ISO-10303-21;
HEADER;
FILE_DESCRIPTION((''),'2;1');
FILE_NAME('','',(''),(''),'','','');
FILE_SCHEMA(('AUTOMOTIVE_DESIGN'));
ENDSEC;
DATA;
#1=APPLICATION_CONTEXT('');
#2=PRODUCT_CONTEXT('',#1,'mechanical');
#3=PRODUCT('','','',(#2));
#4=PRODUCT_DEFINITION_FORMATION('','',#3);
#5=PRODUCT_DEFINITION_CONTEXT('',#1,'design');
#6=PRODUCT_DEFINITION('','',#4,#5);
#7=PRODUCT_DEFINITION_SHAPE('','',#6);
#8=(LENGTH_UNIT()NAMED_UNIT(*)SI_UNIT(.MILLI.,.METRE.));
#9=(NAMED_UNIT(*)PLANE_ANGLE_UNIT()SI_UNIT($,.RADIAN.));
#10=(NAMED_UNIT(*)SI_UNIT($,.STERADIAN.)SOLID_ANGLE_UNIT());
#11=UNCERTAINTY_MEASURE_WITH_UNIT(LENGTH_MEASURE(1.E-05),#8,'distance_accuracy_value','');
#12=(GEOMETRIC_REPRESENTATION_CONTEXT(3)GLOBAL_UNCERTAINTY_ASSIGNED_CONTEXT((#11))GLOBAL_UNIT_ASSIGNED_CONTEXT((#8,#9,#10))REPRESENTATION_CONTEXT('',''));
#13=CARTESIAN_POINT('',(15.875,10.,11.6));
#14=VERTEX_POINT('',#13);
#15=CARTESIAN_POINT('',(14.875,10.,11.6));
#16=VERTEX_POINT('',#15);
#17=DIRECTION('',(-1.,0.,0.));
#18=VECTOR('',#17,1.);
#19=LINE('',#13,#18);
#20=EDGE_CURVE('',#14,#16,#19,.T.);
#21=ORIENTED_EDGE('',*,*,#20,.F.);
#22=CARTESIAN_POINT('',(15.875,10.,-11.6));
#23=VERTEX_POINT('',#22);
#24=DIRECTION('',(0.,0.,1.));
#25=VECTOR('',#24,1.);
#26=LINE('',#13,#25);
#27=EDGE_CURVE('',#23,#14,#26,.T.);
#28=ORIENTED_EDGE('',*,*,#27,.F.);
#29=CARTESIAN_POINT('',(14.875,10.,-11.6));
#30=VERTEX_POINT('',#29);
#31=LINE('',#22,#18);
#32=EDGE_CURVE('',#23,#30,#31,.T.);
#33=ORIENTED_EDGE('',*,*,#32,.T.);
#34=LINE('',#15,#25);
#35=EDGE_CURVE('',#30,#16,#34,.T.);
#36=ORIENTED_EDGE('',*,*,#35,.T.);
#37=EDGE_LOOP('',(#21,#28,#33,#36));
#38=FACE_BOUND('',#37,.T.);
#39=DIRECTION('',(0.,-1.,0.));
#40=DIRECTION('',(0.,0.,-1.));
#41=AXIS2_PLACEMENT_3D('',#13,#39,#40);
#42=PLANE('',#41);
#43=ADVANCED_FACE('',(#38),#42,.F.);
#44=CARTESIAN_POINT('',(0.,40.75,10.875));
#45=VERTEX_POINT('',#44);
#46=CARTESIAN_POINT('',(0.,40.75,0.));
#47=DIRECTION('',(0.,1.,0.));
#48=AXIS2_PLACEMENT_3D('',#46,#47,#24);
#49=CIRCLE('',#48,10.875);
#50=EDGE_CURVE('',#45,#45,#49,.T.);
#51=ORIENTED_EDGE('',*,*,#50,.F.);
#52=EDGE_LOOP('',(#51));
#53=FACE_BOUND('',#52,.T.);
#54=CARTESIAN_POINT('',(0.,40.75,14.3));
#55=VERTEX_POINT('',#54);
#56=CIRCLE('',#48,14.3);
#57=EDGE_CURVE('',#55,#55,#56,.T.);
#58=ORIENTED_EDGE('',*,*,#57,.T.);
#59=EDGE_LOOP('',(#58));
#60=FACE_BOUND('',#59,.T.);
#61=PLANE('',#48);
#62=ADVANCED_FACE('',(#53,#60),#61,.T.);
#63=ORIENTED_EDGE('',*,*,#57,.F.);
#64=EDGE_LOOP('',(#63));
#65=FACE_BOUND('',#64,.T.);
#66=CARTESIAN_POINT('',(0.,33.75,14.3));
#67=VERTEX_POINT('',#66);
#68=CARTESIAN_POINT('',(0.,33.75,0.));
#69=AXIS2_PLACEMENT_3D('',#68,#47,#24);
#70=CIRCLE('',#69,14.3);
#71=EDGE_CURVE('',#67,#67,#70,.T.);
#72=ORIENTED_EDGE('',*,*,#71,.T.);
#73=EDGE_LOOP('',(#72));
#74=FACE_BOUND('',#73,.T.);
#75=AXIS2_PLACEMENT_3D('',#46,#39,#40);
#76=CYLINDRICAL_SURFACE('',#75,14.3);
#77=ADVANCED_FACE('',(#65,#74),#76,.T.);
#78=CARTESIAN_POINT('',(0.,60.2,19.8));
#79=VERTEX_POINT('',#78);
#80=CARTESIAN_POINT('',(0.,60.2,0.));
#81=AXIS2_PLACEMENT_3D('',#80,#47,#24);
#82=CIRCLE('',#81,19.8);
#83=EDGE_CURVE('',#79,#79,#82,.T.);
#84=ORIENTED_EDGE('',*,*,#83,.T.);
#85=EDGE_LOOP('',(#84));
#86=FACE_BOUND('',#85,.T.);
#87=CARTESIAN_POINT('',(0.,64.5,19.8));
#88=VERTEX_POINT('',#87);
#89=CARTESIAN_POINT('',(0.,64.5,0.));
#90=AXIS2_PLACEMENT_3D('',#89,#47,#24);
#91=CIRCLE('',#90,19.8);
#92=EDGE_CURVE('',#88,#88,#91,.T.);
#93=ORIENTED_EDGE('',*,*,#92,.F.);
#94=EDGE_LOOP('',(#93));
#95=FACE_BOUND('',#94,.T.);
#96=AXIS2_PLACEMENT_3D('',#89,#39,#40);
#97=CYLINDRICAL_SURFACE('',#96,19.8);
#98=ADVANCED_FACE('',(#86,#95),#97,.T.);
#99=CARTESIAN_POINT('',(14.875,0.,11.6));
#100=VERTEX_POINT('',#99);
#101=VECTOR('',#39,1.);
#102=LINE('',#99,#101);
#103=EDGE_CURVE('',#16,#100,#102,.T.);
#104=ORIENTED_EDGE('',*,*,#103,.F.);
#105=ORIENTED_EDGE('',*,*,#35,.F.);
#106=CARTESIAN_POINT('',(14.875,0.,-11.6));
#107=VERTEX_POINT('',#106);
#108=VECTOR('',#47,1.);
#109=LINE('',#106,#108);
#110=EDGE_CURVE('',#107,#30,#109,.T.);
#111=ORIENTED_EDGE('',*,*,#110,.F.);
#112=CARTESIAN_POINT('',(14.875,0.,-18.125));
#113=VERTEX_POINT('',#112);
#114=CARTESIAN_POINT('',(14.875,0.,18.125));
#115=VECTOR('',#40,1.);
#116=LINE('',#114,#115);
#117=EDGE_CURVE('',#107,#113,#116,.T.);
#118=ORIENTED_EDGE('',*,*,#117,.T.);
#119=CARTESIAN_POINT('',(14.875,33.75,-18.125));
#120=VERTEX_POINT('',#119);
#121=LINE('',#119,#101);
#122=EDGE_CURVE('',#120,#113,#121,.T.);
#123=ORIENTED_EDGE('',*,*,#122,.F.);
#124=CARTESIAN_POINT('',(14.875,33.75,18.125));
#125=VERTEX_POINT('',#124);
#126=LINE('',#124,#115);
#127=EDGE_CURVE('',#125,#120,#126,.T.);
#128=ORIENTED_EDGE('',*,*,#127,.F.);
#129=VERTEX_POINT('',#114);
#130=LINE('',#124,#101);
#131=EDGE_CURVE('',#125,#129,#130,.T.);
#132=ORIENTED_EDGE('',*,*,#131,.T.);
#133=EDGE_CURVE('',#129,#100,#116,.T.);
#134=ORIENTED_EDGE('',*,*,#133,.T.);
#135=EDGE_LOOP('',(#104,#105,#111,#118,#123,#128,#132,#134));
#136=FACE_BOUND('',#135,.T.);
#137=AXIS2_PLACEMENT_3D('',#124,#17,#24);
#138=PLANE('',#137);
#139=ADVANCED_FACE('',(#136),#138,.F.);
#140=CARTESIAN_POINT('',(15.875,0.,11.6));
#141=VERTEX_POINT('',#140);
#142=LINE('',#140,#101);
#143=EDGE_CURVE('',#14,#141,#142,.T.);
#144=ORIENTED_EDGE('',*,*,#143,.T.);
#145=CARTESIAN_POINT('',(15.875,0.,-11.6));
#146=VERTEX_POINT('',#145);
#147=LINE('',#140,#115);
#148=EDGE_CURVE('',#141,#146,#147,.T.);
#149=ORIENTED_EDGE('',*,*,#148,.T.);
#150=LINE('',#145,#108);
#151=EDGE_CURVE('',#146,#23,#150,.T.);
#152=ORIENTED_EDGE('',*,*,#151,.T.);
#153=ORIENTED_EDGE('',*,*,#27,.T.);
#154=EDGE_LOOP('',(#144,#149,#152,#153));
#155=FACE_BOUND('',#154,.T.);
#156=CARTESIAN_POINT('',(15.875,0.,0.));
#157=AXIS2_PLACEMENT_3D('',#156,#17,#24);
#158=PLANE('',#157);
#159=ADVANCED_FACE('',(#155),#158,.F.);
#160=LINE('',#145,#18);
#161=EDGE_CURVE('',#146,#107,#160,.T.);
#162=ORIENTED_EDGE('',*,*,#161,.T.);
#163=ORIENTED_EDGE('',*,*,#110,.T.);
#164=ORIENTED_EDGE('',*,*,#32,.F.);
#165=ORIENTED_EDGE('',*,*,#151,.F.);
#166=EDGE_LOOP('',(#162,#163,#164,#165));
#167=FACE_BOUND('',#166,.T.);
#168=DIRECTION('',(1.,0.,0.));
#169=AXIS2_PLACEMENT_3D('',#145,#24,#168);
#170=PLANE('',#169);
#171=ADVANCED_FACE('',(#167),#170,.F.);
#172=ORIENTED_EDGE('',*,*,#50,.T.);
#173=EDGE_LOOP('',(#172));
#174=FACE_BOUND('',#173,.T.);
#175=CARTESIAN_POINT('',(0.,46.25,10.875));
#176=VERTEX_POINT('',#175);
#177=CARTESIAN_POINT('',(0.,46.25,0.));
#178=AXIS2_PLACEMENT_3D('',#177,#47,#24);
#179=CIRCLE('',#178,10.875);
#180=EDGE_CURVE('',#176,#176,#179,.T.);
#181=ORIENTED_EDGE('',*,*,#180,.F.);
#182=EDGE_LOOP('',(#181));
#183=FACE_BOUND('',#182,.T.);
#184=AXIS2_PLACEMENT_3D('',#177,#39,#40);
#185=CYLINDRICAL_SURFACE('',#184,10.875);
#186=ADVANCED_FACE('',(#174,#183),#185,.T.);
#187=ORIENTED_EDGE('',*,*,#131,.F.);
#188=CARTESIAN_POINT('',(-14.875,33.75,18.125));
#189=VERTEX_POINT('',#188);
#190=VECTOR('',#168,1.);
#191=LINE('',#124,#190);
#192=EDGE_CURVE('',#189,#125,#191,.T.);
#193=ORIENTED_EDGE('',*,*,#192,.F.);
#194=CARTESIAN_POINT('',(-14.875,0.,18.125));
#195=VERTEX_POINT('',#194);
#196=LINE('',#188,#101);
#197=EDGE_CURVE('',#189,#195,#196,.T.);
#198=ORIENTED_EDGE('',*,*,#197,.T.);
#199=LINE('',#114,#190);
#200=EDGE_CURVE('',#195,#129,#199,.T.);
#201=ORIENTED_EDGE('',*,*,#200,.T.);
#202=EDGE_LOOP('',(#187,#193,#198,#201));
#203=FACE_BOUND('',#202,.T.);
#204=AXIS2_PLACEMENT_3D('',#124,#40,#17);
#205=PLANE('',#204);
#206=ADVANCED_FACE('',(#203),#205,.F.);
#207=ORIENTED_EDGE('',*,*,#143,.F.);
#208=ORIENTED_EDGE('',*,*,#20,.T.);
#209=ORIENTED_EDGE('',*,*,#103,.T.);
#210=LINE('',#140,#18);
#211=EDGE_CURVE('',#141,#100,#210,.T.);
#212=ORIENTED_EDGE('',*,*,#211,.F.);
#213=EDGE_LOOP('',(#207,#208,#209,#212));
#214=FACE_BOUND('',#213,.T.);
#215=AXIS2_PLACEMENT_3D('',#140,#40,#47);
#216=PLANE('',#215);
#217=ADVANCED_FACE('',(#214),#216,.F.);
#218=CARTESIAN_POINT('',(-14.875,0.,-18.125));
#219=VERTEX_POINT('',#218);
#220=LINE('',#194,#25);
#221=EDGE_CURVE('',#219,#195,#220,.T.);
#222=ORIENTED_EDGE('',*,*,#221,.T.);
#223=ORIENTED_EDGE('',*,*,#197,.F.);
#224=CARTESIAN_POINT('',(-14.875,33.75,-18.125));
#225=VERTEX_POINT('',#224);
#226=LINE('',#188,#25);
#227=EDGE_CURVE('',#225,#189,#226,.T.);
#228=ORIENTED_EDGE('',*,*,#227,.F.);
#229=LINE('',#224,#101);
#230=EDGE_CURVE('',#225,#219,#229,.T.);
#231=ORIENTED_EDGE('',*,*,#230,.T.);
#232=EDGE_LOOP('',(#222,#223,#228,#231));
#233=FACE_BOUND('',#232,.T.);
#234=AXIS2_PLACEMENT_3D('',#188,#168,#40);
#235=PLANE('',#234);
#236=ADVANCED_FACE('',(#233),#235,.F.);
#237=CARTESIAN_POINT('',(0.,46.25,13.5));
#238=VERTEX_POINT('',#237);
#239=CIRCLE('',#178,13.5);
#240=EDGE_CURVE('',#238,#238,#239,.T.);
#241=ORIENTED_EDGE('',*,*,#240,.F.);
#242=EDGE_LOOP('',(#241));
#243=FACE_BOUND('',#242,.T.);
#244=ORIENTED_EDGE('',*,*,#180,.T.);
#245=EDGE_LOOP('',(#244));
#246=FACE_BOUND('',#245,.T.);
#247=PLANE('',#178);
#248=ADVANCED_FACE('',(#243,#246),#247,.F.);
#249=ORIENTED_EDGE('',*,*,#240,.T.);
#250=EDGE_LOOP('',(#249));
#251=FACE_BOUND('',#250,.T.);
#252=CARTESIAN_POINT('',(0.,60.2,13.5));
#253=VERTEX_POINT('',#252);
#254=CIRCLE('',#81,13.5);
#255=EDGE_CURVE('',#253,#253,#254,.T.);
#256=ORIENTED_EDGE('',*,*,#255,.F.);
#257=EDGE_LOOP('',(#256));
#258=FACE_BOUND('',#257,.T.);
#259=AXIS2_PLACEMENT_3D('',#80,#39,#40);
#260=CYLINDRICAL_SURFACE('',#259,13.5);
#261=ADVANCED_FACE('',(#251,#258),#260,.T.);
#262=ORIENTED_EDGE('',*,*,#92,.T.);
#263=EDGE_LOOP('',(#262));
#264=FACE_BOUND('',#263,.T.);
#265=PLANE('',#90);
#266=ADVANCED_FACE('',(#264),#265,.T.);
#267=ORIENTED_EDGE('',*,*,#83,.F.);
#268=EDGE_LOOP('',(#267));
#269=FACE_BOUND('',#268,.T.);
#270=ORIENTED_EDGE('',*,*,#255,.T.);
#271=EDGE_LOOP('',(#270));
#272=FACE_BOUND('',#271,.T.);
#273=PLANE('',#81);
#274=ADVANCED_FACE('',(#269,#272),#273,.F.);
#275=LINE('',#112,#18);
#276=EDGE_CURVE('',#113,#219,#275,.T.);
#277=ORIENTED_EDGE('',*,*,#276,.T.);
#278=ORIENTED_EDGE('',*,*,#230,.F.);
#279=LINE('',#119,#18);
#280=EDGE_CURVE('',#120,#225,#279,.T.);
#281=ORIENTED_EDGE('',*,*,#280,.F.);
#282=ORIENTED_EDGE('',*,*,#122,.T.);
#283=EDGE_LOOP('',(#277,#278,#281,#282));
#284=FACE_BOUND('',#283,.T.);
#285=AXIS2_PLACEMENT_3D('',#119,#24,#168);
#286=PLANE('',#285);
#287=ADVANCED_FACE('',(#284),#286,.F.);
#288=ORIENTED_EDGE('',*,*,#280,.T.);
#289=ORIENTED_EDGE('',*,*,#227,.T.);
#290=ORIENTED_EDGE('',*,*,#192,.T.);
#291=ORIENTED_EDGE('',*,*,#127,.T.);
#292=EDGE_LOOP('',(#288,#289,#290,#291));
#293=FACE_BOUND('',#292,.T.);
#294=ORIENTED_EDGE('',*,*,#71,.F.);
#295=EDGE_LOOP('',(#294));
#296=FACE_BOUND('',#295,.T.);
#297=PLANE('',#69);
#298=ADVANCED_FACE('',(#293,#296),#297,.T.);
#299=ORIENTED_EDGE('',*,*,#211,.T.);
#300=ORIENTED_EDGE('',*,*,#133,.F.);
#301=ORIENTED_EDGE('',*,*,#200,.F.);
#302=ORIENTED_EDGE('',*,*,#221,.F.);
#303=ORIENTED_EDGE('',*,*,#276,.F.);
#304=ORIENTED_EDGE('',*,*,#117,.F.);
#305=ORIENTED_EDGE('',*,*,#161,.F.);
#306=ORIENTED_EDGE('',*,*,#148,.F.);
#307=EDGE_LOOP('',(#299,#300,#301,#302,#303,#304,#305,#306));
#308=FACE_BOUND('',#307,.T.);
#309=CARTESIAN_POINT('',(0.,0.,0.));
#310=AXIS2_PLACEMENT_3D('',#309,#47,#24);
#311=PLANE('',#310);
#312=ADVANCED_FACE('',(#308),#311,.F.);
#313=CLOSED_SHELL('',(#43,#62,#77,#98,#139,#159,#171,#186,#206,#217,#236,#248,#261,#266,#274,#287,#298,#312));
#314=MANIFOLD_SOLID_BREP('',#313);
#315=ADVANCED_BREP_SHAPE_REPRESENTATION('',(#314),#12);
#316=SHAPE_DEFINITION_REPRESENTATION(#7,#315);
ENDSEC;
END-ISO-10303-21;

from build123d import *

# Parameters (mm, degrees)
SKETCH2_W           = 29.75
SKETCH2_H           = 36.25
BOSS_EXTRUDE1_DEPTH = 33.75
SKETCH3_R           = 14.3
BOSS_EXTRUDE2_DEPTH = 7
SKETCH4_R           = 10.875
BOSS_EXTRUDE3_DEPTH = 5.5
SKETCH5_R           = 13.5
BOSS_EXTRUDE4_DEPTH = 13.95
SKETCH6_R           = 19.8
BOSS_EXTRUDE5_DEPTH = 4.3
SKETCH7_W           = 23.2
SKETCH7_H           = 10
BOSS_EXTRUDE6_DEPTH = 1


with BuildPart() as part:
    # Sketch2 → Boss-Extrude1 (new body)
    with BuildSketch(Plane(origin=(0, 0, 0), x_dir=(1, 0, 0), z_dir=(0, 1, 0))):
        Rectangle(SKETCH2_W, SKETCH2_H)
    extrude(amount=BOSS_EXTRUDE1_DEPTH)

    # Sketch3 → Boss-Extrude2 (add)
    with BuildSketch(Plane(origin=(0, 33.75, 0), x_dir=(1, 0, 0), z_dir=(0, 1, 0))):
        Circle(SKETCH3_R)
    extrude(amount=BOSS_EXTRUDE2_DEPTH)

    # Sketch4 → Boss-Extrude3 (add)
    with BuildSketch(Plane(origin=(0, 40.75, 0), x_dir=(1, 0, 0), z_dir=(0, 1, 0))):
        Circle(SKETCH4_R)
    extrude(amount=BOSS_EXTRUDE3_DEPTH)

    # Sketch5 → Boss-Extrude4 (add)
    with BuildSketch(Plane(origin=(0, 46.25, 0), x_dir=(1, 0, 0), z_dir=(0, 1, 0))):
        Circle(SKETCH5_R)
    extrude(amount=BOSS_EXTRUDE4_DEPTH)

    # Sketch6 → Boss-Extrude5 (add)
    with BuildSketch(Plane(origin=(0, 60.2, 0), x_dir=(1, 0, 0), z_dir=(0, 1, 0))):
        Circle(SKETCH6_R)
    extrude(amount=BOSS_EXTRUDE5_DEPTH)

    # Sketch7 → Boss-Extrude6 (add)
    with BuildSketch(Plane(origin=(14.875, 0, 0), x_dir=(0, 0, -1), z_dir=(1, 0, 0))):
        with Locations((0, 5)):
            Rectangle(SKETCH7_W, SKETCH7_H)
    extrude(amount=BOSS_EXTRUDE6_DEPTH)


solid = part.part
